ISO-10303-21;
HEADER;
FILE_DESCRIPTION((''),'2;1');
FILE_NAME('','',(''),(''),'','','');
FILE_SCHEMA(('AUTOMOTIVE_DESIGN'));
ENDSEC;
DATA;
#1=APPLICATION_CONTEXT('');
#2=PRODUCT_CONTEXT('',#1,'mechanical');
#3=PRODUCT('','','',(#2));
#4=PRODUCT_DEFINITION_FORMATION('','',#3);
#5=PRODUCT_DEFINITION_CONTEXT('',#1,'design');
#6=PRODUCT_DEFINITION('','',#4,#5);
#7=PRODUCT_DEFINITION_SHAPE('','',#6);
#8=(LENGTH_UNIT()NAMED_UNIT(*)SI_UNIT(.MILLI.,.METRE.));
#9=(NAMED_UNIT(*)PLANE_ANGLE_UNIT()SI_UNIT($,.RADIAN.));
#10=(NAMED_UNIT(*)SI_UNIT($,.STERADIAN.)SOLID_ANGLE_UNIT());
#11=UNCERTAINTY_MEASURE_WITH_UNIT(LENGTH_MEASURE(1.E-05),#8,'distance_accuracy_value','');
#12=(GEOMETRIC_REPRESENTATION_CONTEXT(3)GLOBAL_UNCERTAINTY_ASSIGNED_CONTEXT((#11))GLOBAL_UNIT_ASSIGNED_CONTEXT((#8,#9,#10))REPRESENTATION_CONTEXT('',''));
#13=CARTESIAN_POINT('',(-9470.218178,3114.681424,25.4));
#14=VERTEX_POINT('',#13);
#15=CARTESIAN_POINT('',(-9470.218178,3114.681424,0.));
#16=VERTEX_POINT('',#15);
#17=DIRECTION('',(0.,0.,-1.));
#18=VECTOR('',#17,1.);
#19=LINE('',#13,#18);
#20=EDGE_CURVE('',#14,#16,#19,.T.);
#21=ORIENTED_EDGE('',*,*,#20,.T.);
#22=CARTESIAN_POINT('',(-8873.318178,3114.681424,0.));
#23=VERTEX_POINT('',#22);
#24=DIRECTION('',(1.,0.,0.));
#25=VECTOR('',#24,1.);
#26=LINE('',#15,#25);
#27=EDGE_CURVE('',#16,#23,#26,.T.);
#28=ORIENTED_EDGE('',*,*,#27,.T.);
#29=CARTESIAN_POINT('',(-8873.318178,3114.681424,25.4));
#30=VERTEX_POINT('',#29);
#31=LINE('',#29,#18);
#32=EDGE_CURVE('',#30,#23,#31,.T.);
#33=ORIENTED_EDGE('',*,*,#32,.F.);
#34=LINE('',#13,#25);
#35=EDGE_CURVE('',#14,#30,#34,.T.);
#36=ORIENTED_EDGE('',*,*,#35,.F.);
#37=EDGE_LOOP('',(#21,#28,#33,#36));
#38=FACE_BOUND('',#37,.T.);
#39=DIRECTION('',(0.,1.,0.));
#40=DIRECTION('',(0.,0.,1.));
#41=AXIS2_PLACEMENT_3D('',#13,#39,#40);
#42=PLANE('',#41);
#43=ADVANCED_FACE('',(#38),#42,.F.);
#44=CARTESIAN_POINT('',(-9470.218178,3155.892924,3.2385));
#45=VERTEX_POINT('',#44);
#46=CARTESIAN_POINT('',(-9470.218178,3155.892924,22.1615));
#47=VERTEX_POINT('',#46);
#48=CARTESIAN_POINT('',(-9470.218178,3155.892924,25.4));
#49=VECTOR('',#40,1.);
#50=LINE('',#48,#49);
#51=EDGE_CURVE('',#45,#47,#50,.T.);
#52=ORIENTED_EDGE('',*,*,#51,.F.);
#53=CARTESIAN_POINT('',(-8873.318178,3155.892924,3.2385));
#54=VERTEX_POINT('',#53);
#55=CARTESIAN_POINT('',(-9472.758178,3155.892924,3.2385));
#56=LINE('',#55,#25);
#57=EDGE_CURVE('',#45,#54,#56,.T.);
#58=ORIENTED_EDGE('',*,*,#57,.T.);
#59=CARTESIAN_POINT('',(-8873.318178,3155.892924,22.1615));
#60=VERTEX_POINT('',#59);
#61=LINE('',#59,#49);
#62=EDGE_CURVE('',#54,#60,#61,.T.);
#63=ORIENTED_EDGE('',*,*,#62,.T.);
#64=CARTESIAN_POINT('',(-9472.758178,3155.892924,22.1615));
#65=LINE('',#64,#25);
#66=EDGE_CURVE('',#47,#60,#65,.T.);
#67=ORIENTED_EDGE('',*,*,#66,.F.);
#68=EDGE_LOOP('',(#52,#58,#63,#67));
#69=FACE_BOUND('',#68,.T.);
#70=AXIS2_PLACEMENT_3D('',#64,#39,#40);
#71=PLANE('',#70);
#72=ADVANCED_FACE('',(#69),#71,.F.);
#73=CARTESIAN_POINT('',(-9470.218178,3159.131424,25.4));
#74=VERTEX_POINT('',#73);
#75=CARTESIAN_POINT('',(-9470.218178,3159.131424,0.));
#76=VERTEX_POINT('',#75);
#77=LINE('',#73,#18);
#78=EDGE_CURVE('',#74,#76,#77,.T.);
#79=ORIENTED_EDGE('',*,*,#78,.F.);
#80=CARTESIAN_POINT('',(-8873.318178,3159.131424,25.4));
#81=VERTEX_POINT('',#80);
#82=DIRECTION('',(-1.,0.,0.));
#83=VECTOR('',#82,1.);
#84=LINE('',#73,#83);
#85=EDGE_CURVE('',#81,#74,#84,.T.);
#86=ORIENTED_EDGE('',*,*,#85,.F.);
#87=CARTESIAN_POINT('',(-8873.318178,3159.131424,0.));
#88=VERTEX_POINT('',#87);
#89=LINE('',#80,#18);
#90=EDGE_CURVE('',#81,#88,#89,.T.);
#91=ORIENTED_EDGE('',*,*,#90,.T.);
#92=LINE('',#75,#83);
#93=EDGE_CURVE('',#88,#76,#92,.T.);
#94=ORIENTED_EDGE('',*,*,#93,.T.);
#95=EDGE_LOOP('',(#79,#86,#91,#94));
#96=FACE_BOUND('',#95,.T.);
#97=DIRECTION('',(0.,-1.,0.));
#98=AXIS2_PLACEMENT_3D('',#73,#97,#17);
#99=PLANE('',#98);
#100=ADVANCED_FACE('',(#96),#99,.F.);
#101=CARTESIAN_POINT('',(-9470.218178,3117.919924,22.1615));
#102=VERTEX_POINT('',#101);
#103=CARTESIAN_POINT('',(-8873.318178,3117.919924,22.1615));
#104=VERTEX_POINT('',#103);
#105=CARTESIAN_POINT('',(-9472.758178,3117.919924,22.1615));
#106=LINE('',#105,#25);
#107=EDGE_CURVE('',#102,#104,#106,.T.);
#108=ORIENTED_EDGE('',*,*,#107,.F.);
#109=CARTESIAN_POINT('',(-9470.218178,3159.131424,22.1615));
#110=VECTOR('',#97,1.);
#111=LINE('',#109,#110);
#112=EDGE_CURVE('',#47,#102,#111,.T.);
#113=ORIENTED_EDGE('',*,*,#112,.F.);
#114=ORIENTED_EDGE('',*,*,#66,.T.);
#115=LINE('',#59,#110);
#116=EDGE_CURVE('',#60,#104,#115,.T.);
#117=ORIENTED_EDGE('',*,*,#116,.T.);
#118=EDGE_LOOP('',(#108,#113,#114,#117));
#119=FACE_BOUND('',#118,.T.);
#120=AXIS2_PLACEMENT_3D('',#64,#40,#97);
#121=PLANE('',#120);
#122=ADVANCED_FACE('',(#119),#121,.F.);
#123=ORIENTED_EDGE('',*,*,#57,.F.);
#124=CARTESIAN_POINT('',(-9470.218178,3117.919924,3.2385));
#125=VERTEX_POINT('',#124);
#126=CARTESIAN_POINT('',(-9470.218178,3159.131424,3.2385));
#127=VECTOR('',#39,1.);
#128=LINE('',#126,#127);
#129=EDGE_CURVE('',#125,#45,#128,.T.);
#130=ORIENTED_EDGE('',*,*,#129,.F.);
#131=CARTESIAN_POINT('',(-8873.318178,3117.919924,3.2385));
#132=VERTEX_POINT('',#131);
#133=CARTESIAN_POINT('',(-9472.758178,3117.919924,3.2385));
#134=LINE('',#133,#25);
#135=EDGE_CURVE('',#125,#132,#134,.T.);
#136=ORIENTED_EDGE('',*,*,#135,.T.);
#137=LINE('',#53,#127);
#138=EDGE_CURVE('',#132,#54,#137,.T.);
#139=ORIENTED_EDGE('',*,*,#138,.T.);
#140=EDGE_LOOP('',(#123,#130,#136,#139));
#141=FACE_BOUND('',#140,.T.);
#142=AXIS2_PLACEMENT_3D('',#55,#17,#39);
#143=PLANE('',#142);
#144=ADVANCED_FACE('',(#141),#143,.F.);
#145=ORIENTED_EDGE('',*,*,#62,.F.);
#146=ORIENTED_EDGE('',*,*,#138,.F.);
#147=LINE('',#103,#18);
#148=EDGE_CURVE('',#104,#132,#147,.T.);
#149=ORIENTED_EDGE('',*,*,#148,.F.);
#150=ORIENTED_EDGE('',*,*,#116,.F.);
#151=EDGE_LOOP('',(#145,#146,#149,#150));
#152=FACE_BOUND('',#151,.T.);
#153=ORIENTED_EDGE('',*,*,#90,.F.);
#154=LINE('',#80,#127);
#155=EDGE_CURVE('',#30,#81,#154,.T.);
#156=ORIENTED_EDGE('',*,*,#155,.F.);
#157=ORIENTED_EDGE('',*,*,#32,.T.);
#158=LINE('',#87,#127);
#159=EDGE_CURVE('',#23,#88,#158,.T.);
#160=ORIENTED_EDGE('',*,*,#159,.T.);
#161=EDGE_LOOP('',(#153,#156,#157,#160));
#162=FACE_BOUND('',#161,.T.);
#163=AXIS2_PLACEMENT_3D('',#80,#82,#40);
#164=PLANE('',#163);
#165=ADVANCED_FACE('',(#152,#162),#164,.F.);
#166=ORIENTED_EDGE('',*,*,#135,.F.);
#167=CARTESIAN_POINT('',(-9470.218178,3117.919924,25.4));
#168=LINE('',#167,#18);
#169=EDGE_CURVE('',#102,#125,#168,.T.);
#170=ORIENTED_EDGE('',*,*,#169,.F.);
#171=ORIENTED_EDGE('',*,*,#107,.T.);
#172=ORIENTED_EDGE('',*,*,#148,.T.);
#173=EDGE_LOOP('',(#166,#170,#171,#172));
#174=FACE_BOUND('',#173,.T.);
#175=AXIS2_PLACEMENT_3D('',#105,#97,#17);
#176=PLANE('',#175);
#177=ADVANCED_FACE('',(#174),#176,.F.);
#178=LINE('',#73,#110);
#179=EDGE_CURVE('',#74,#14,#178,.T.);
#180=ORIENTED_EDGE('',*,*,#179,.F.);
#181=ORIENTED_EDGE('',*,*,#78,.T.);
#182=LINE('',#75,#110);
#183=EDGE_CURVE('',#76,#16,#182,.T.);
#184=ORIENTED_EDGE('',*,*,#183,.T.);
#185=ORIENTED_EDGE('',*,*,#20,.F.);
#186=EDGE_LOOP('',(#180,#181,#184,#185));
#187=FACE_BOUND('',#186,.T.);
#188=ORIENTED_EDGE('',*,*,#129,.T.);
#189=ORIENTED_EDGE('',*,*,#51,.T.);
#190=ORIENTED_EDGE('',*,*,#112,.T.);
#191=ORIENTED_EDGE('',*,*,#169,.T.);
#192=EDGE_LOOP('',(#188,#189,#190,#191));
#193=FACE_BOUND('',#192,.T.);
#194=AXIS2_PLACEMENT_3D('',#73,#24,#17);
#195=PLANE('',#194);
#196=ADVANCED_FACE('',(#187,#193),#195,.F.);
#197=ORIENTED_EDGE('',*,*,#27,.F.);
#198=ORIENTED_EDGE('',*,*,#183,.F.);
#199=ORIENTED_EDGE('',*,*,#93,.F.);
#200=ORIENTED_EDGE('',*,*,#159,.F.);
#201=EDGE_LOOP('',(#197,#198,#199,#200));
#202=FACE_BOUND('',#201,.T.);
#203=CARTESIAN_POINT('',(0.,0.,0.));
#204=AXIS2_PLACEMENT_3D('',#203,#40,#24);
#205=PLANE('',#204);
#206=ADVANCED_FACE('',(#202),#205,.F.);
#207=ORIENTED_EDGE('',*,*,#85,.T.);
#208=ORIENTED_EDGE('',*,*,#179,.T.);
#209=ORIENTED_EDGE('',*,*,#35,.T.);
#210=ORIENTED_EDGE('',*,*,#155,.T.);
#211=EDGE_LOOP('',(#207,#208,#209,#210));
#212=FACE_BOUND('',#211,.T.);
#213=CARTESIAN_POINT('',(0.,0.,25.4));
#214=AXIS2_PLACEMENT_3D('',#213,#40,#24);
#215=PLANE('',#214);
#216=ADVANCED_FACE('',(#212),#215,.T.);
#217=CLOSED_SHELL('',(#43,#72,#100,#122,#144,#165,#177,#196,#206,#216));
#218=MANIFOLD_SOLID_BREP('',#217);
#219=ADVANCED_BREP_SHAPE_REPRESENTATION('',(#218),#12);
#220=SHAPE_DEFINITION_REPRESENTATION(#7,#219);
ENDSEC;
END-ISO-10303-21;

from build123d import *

# Parameters (mm, degrees)
SKETCH1_W           = 596.9
SKETCH1_H           = 44.45
BOSS_EXTRUDE1_DEPTH = 25.4
SKETCH2_W           = 18.923
SKETCH2_H           = 37.973
CUT_EXTRUDE1_DEPTH  = 599.44


with BuildPart() as part:
    # Sketch1 → Boss-Extrude1 (new body)
    with BuildSketch(Plane.XY):
        with Locations((-9171.76817789, 3136.906424003)):
            Rectangle(SKETCH1_W, SKETCH1_H)
    extrude(amount=BOSS_EXTRUDE1_DEPTH)

    # Sketch2 → Cut-Extrude1 (cut)
    with BuildSketch(Plane(origin=(-8873.31817789, 0, 0), x_dir=(0, 0, -1), z_dir=(1, 0, 0))):
        with Locations((-12.7, 3136.906424003)):
            Rectangle(SKETCH2_W, SKETCH2_H)
    extrude(amount=-CUT_EXTRUDE1_DEPTH, mode=Mode.SUBTRACT)


solid = part.part
